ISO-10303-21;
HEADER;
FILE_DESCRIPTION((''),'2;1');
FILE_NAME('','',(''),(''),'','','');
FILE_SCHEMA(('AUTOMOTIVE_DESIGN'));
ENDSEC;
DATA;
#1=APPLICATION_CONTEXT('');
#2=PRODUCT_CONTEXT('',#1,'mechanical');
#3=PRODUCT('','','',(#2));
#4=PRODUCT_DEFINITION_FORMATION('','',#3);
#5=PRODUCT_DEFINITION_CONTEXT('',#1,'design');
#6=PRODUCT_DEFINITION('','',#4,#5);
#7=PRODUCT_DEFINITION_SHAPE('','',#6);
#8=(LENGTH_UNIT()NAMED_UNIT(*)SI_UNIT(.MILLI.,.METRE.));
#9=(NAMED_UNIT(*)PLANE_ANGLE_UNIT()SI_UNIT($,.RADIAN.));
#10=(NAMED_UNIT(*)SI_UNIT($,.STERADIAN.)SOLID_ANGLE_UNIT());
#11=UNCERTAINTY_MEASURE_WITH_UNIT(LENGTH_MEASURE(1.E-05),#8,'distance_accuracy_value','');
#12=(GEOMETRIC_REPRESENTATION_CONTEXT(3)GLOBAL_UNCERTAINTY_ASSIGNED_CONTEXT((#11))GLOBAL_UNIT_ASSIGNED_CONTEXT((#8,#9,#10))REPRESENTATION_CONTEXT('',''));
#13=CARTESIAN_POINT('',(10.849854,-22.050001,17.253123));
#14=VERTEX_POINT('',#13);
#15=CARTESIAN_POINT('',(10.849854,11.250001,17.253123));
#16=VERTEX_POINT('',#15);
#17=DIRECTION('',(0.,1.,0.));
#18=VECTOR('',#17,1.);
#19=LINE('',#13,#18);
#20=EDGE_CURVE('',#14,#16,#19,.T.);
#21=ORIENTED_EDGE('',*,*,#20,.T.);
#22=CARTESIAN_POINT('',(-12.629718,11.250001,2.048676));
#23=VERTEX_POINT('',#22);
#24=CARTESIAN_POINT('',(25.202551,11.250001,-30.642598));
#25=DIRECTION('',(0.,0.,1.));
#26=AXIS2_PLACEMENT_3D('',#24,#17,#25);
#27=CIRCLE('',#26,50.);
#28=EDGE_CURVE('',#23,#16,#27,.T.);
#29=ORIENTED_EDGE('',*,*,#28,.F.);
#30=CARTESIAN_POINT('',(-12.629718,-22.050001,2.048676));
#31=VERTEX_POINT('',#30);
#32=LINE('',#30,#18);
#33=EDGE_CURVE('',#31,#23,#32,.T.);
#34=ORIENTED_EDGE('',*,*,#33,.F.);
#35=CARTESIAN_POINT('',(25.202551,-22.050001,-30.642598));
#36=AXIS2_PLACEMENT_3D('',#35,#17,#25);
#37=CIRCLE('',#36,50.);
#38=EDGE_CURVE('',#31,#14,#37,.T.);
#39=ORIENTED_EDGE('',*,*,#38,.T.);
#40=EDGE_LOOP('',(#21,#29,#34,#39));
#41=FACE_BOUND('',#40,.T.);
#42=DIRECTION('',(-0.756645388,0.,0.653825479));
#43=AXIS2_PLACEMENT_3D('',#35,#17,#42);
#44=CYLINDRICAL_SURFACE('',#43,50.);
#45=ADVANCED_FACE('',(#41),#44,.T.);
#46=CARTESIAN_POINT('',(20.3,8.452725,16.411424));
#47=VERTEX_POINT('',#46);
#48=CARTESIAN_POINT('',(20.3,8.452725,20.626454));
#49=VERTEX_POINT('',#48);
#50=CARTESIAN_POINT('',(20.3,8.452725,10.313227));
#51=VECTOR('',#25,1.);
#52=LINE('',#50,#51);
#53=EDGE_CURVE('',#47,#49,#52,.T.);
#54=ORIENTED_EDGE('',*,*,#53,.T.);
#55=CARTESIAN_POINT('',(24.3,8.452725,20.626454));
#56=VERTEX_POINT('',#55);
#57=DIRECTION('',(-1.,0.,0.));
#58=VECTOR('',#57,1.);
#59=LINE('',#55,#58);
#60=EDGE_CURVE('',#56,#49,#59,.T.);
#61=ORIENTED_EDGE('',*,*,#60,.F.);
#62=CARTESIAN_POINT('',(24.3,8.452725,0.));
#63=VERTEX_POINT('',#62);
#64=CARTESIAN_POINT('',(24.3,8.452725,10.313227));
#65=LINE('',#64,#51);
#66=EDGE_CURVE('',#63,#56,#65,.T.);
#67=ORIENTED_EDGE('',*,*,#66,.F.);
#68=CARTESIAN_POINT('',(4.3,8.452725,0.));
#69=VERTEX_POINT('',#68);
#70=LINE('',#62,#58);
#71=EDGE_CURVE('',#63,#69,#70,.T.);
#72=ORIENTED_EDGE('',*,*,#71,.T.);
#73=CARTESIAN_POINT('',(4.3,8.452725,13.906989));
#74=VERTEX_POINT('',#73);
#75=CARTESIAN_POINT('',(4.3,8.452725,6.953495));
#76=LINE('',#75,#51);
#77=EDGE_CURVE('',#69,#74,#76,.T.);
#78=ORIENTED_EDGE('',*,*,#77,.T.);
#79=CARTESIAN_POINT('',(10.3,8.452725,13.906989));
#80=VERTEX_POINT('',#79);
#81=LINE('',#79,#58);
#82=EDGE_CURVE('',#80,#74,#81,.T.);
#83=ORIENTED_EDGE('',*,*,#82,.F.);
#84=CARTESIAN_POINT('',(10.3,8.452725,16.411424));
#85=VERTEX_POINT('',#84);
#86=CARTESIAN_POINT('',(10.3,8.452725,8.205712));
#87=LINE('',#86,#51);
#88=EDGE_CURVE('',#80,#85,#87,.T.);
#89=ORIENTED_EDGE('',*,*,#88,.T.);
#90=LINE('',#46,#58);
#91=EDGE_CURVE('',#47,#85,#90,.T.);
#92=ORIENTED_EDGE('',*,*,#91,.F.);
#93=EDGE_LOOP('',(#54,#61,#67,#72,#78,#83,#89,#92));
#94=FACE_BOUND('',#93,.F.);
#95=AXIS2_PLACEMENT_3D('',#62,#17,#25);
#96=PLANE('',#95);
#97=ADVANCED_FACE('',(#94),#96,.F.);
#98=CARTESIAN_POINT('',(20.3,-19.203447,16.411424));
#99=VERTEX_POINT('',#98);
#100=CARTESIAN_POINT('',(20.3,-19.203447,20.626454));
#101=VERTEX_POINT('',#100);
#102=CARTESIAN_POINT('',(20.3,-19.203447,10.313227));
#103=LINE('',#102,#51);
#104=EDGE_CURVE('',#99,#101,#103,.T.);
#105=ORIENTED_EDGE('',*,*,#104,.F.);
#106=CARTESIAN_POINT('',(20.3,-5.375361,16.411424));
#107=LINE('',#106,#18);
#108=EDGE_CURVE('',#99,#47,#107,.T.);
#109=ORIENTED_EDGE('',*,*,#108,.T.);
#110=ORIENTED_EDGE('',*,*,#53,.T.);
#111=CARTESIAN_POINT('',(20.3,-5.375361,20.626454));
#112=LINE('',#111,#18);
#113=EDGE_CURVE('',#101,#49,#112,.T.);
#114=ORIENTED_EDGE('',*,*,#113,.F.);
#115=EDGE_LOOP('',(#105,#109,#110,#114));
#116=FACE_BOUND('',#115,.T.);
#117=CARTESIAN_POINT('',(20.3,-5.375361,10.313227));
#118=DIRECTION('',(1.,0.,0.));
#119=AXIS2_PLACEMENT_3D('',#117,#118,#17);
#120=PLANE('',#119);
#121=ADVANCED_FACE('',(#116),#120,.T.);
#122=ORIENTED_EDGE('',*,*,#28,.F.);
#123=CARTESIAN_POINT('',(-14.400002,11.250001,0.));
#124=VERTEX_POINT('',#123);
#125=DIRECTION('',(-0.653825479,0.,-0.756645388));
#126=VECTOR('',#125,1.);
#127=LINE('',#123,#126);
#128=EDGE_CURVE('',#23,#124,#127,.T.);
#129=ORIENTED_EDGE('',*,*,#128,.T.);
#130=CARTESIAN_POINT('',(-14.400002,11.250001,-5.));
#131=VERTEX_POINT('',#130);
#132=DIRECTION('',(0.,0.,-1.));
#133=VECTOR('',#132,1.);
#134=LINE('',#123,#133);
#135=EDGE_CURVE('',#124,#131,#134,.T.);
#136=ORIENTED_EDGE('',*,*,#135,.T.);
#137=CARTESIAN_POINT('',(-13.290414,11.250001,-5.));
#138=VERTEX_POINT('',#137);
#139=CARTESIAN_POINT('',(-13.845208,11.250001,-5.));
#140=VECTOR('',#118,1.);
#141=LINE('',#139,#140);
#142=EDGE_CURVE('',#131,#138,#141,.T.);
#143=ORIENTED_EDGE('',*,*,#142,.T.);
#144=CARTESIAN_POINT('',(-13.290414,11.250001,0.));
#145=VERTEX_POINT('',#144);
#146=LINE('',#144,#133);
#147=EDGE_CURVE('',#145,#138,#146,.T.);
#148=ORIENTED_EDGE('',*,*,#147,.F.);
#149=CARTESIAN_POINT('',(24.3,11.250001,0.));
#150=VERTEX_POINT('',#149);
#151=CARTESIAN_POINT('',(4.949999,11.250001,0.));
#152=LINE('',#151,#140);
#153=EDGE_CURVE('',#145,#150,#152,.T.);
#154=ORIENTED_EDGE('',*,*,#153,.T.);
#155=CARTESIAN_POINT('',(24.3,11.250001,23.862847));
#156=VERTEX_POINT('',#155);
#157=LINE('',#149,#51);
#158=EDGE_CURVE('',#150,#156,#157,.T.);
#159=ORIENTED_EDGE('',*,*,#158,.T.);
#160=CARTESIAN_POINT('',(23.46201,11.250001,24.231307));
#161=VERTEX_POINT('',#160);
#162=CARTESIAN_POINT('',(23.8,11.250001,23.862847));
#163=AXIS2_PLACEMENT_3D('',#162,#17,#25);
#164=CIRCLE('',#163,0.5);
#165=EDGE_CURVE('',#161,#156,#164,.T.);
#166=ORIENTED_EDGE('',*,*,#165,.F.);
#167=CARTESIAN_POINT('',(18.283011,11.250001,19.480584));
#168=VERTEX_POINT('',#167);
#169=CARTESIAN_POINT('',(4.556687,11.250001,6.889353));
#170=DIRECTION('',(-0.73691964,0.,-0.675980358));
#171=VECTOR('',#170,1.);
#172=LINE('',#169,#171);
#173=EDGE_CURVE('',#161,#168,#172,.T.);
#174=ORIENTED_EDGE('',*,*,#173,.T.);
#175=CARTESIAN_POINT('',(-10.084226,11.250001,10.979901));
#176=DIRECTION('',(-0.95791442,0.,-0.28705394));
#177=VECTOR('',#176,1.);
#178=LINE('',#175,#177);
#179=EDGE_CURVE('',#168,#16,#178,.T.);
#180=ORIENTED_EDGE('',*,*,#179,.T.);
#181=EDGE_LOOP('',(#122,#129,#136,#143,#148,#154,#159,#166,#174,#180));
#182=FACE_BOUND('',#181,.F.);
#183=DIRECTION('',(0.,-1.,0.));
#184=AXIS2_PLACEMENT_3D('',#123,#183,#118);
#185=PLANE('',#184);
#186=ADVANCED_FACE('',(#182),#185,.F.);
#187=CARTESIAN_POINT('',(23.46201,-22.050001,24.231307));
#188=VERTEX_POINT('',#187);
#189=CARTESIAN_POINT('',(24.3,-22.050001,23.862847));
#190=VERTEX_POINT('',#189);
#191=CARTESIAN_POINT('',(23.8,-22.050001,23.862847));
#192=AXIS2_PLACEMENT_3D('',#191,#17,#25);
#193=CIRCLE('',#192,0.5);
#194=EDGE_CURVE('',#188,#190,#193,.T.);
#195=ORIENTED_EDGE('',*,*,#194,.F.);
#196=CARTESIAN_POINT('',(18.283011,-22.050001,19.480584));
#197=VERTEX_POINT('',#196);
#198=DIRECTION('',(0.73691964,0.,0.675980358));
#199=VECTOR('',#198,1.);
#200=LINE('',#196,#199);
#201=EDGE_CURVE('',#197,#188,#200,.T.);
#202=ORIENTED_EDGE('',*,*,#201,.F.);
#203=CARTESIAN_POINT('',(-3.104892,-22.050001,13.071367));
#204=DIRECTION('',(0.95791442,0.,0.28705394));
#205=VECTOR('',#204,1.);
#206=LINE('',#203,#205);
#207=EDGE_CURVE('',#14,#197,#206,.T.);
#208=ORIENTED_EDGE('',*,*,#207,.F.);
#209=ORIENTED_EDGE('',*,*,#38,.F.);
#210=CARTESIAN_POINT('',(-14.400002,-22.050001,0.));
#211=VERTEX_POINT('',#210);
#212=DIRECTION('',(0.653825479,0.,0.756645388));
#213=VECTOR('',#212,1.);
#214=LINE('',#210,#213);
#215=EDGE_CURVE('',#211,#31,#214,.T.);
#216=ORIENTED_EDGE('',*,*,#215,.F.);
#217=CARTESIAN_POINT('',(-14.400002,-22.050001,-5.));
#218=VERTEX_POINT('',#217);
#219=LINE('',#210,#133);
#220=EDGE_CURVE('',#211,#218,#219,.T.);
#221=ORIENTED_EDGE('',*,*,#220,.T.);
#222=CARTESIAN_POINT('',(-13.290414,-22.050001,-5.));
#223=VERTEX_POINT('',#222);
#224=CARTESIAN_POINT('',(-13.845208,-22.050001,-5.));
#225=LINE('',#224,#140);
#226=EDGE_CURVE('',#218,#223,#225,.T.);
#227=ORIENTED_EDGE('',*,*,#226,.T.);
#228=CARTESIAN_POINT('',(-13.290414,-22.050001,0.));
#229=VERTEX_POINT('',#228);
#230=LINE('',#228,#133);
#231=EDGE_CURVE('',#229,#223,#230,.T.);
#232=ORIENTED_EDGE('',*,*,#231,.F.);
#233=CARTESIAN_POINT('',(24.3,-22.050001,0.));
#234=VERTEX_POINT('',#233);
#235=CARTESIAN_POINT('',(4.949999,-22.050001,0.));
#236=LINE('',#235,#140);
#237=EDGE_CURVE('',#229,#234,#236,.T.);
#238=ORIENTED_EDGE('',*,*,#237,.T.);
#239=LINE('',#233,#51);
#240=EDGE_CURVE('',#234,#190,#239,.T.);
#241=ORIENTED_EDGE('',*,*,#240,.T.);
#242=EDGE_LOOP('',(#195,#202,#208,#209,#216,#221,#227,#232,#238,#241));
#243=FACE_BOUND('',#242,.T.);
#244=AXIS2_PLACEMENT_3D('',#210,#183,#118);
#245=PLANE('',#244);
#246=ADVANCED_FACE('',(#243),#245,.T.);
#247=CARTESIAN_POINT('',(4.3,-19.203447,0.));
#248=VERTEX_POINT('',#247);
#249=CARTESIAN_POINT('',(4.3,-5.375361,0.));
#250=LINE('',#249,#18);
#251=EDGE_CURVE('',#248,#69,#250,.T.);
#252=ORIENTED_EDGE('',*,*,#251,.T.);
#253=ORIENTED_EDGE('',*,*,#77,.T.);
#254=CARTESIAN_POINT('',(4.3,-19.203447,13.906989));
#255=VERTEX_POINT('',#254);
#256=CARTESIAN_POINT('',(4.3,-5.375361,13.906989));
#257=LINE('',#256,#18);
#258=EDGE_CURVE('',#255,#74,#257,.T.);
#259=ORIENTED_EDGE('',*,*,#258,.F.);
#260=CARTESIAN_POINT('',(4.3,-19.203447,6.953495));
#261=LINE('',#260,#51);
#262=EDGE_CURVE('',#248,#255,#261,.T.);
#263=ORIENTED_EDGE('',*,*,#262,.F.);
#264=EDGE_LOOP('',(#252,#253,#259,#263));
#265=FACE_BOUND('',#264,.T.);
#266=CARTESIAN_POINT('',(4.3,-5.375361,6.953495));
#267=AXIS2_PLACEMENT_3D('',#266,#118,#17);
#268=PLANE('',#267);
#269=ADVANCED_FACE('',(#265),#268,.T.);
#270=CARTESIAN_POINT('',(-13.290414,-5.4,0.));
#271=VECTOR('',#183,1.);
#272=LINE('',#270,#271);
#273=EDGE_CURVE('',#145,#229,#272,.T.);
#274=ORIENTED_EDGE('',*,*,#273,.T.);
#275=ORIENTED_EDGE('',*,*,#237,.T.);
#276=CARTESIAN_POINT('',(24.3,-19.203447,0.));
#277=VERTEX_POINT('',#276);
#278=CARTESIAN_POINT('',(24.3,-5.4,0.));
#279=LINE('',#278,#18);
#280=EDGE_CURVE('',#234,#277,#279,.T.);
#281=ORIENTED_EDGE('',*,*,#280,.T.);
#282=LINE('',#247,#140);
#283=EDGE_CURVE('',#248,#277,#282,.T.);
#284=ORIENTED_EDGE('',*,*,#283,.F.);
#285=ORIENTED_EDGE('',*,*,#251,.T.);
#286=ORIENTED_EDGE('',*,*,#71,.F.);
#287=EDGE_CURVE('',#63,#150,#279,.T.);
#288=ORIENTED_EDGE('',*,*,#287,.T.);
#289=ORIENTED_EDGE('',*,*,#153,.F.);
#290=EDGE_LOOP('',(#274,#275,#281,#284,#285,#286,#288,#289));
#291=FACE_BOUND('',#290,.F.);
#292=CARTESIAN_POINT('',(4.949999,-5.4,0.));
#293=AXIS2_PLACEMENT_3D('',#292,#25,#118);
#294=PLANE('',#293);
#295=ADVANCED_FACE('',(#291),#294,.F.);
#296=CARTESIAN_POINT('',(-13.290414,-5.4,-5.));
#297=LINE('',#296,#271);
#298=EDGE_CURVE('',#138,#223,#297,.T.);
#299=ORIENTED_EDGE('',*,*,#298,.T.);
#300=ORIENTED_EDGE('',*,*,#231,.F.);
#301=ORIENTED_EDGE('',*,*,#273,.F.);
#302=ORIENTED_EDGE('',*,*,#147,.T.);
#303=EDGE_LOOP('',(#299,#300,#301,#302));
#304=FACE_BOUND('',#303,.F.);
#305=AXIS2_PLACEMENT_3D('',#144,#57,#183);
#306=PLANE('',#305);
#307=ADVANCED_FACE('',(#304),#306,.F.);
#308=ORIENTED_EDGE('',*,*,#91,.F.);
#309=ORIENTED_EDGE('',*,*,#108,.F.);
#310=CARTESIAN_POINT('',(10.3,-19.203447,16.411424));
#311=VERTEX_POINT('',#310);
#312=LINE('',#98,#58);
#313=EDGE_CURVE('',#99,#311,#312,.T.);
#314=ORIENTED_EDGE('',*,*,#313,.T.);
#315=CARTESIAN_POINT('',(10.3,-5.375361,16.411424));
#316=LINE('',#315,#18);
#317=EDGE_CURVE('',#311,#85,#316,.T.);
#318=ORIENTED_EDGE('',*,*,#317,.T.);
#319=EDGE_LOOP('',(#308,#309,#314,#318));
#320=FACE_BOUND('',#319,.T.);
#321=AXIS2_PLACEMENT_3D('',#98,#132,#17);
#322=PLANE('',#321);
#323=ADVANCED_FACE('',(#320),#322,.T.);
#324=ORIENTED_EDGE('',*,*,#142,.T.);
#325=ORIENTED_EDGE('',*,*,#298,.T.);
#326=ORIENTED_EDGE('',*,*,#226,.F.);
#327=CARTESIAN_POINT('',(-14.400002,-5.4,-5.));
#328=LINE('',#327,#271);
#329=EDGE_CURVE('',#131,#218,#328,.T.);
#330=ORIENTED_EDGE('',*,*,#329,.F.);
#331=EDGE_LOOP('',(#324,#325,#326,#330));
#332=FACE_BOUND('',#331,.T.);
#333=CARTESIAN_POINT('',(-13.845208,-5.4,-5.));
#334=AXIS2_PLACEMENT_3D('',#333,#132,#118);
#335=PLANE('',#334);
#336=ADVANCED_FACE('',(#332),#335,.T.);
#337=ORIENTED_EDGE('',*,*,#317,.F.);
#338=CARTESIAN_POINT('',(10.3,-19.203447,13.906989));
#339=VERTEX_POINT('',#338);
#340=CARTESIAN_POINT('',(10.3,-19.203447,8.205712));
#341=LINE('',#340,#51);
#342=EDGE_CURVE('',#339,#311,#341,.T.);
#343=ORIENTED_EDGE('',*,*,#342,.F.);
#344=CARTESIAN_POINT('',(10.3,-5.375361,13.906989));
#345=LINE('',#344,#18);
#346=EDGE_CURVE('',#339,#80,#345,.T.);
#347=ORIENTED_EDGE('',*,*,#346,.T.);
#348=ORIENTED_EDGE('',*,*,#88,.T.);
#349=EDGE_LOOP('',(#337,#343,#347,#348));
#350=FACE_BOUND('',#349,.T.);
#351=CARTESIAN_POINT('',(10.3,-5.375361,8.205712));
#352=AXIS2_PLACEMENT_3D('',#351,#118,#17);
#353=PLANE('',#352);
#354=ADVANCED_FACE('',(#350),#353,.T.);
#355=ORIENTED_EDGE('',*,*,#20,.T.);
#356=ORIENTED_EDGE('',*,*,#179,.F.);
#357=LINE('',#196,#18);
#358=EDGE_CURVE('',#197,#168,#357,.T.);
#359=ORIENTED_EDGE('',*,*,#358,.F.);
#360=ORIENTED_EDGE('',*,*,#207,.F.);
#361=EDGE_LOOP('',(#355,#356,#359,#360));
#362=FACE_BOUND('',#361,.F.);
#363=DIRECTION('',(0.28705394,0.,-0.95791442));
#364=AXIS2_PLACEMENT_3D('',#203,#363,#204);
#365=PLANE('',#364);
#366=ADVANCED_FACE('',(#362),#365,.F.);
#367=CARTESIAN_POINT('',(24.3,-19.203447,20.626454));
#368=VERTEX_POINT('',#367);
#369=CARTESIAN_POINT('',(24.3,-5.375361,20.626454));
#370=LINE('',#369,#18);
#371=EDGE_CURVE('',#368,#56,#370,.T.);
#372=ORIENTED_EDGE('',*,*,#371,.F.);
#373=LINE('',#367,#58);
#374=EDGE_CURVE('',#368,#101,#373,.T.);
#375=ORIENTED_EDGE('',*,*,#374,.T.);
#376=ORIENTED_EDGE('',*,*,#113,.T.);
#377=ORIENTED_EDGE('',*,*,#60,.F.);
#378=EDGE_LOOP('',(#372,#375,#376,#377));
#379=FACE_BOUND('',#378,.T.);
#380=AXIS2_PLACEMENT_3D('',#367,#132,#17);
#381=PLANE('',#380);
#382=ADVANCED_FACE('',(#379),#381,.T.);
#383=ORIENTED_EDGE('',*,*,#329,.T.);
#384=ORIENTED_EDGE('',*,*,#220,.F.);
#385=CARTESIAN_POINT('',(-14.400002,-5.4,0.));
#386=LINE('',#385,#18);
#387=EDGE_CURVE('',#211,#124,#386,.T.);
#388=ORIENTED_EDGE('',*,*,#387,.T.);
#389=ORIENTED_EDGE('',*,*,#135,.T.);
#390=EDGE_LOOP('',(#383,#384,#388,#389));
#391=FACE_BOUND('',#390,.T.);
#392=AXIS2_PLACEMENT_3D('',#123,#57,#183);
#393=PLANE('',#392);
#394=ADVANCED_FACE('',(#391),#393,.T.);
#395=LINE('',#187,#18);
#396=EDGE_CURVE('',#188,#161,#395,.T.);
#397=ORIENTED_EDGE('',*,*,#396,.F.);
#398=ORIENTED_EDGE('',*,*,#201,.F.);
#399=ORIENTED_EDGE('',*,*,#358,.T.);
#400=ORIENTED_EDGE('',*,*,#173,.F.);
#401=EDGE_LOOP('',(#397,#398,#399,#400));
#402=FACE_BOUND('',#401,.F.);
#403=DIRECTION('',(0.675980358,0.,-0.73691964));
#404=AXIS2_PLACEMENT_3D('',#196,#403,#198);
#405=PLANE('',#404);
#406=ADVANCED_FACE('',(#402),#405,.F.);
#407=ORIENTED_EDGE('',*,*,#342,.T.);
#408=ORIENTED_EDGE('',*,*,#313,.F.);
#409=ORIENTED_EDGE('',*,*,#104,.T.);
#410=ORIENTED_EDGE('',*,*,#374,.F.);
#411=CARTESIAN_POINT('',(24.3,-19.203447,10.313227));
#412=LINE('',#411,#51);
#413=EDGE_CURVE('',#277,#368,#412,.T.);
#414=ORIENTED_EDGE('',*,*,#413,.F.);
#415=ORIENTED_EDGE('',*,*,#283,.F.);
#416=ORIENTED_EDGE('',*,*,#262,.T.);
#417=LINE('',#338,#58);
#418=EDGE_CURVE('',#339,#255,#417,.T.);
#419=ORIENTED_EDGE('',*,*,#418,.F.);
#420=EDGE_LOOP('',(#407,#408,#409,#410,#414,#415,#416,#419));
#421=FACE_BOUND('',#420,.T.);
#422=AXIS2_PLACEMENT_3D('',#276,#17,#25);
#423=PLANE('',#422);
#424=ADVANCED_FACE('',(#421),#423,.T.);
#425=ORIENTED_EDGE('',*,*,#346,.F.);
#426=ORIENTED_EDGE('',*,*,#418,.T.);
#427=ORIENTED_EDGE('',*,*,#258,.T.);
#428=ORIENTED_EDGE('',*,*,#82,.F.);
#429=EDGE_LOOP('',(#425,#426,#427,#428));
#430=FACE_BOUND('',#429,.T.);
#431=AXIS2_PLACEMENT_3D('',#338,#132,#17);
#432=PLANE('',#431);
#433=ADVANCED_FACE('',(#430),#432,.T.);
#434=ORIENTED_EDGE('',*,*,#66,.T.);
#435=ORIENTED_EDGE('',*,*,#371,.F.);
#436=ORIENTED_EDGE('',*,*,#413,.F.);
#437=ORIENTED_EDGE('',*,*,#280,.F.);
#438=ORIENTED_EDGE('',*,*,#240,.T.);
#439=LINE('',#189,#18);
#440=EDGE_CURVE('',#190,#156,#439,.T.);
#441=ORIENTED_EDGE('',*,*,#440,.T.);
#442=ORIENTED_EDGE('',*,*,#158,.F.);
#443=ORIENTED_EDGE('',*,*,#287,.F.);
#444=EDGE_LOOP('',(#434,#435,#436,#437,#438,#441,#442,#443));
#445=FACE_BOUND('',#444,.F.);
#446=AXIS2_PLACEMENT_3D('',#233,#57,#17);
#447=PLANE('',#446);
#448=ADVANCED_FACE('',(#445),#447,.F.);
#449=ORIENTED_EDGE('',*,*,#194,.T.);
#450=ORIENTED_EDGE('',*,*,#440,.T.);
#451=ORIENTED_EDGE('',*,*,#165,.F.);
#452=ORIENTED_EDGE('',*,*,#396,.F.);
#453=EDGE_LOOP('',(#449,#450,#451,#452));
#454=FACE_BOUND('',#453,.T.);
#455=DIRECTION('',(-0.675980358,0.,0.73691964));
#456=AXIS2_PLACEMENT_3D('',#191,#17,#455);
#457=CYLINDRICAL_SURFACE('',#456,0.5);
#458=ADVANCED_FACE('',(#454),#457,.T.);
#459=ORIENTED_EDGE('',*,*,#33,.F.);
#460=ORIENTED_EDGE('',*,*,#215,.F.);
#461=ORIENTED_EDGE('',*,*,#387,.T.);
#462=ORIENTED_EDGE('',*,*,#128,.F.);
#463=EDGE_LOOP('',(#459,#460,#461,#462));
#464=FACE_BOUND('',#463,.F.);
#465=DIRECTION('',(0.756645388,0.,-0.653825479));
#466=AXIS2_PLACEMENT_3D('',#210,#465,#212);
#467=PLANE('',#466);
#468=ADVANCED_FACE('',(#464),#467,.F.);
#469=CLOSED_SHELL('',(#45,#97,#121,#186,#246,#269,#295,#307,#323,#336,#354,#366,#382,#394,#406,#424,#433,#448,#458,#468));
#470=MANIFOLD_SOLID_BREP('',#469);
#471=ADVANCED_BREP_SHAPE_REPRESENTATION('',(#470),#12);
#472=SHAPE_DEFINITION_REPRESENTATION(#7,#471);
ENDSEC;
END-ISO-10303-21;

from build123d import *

# Parameters (mm, degrees)
F0_W      = 38.7000013143
F0_H      = 33.3000021055
F1_DEPTH  = 25
F3_DEPTH  = 33.3010021055
F4_R      = 50
F5_R      = 0.5
F6_W      = 27.6561714709
F6_H      = 20.6264536828
F7_DEPTH  = 4
F8_W      = 27.6561714709
F8_H      = 16.4114236832
F9_DEPTH  = 10
F10_W     = 27.6561714709
F10_H     = 13.9069892466
F11_DEPTH = 6
F12_W     = 1.1095879599
F12_H     = 33.3000021055
F13_DEPTH = 5


with BuildPart() as f1:
    # F0 (on Top) → F1 (new body)
    with BuildSketch(Plane.XY):
        with Locations((4.9499990419, -5.3999996744)):
            Rectangle(F0_W, F0_H)
    extrude(amount=F1_DEPTH)

    # F2 (on face) → F3 (cut, through all)
    with BuildSketch(Plane.XZ.offset(22.0500007272)):
        Polygon((-14.4000016153, 25), (-14.4000016153, 0), (-3.1048920937, 13.0713665858), (18.2830113918, 19.4805841893), (24.299999699, 25), align=None)
    extrude(amount=-F3_DEPTH, mode=Mode.SUBTRACT)

    # F4
    f4_edges = [f1.edges().sort_by_distance(p)[0] for p in [
        (-3.104892, -5.4, 13.071367),
    ]]
    fillet(f4_edges, radius=F4_R)

    # F5
    f5_edges = [f1.edges().sort_by_distance(p)[0] for p in [
        (24.3, -5.4, 25),
    ]]
    fillet(f5_edges, radius=F5_R)

    # F6 (on face) → F7 (cut)
    with BuildSketch(Plane.YZ.offset(24.299999699)):
        with Locations((-5.37536107, 10.3132268414)):
            Rectangle(F6_W, F6_H)
    extrude(amount=-F7_DEPTH, mode=Mode.SUBTRACT)

    # F8 (on face) → F9 (cut)
    with BuildSketch(Plane.YZ.offset(20.299999699)):
        with Locations((-5.37536107, 8.2057118416)):
            Rectangle(F8_W, F8_H)
    extrude(amount=-F9_DEPTH, mode=Mode.SUBTRACT)

    # F10 (on face) → F11 (cut)
    with BuildSketch(Plane.YZ.offset(10.299999699)):
        with Locations((-5.37536107, 6.9534946233)):
            Rectangle(F10_W, F10_H)
    extrude(amount=-F11_DEPTH, mode=Mode.SUBTRACT)

    # F12 (on face) → F13 (join)
    with BuildSketch(Plane(origin=(0, 0, 0), x_dir=(1, 0, 0), z_dir=(0, 0, -1))):
        with Locations((-13.8452076353, 5.3999996744)):
            Rectangle(F12_W, F12_H)
    extrude(amount=F13_DEPTH)


solid = f1.part
